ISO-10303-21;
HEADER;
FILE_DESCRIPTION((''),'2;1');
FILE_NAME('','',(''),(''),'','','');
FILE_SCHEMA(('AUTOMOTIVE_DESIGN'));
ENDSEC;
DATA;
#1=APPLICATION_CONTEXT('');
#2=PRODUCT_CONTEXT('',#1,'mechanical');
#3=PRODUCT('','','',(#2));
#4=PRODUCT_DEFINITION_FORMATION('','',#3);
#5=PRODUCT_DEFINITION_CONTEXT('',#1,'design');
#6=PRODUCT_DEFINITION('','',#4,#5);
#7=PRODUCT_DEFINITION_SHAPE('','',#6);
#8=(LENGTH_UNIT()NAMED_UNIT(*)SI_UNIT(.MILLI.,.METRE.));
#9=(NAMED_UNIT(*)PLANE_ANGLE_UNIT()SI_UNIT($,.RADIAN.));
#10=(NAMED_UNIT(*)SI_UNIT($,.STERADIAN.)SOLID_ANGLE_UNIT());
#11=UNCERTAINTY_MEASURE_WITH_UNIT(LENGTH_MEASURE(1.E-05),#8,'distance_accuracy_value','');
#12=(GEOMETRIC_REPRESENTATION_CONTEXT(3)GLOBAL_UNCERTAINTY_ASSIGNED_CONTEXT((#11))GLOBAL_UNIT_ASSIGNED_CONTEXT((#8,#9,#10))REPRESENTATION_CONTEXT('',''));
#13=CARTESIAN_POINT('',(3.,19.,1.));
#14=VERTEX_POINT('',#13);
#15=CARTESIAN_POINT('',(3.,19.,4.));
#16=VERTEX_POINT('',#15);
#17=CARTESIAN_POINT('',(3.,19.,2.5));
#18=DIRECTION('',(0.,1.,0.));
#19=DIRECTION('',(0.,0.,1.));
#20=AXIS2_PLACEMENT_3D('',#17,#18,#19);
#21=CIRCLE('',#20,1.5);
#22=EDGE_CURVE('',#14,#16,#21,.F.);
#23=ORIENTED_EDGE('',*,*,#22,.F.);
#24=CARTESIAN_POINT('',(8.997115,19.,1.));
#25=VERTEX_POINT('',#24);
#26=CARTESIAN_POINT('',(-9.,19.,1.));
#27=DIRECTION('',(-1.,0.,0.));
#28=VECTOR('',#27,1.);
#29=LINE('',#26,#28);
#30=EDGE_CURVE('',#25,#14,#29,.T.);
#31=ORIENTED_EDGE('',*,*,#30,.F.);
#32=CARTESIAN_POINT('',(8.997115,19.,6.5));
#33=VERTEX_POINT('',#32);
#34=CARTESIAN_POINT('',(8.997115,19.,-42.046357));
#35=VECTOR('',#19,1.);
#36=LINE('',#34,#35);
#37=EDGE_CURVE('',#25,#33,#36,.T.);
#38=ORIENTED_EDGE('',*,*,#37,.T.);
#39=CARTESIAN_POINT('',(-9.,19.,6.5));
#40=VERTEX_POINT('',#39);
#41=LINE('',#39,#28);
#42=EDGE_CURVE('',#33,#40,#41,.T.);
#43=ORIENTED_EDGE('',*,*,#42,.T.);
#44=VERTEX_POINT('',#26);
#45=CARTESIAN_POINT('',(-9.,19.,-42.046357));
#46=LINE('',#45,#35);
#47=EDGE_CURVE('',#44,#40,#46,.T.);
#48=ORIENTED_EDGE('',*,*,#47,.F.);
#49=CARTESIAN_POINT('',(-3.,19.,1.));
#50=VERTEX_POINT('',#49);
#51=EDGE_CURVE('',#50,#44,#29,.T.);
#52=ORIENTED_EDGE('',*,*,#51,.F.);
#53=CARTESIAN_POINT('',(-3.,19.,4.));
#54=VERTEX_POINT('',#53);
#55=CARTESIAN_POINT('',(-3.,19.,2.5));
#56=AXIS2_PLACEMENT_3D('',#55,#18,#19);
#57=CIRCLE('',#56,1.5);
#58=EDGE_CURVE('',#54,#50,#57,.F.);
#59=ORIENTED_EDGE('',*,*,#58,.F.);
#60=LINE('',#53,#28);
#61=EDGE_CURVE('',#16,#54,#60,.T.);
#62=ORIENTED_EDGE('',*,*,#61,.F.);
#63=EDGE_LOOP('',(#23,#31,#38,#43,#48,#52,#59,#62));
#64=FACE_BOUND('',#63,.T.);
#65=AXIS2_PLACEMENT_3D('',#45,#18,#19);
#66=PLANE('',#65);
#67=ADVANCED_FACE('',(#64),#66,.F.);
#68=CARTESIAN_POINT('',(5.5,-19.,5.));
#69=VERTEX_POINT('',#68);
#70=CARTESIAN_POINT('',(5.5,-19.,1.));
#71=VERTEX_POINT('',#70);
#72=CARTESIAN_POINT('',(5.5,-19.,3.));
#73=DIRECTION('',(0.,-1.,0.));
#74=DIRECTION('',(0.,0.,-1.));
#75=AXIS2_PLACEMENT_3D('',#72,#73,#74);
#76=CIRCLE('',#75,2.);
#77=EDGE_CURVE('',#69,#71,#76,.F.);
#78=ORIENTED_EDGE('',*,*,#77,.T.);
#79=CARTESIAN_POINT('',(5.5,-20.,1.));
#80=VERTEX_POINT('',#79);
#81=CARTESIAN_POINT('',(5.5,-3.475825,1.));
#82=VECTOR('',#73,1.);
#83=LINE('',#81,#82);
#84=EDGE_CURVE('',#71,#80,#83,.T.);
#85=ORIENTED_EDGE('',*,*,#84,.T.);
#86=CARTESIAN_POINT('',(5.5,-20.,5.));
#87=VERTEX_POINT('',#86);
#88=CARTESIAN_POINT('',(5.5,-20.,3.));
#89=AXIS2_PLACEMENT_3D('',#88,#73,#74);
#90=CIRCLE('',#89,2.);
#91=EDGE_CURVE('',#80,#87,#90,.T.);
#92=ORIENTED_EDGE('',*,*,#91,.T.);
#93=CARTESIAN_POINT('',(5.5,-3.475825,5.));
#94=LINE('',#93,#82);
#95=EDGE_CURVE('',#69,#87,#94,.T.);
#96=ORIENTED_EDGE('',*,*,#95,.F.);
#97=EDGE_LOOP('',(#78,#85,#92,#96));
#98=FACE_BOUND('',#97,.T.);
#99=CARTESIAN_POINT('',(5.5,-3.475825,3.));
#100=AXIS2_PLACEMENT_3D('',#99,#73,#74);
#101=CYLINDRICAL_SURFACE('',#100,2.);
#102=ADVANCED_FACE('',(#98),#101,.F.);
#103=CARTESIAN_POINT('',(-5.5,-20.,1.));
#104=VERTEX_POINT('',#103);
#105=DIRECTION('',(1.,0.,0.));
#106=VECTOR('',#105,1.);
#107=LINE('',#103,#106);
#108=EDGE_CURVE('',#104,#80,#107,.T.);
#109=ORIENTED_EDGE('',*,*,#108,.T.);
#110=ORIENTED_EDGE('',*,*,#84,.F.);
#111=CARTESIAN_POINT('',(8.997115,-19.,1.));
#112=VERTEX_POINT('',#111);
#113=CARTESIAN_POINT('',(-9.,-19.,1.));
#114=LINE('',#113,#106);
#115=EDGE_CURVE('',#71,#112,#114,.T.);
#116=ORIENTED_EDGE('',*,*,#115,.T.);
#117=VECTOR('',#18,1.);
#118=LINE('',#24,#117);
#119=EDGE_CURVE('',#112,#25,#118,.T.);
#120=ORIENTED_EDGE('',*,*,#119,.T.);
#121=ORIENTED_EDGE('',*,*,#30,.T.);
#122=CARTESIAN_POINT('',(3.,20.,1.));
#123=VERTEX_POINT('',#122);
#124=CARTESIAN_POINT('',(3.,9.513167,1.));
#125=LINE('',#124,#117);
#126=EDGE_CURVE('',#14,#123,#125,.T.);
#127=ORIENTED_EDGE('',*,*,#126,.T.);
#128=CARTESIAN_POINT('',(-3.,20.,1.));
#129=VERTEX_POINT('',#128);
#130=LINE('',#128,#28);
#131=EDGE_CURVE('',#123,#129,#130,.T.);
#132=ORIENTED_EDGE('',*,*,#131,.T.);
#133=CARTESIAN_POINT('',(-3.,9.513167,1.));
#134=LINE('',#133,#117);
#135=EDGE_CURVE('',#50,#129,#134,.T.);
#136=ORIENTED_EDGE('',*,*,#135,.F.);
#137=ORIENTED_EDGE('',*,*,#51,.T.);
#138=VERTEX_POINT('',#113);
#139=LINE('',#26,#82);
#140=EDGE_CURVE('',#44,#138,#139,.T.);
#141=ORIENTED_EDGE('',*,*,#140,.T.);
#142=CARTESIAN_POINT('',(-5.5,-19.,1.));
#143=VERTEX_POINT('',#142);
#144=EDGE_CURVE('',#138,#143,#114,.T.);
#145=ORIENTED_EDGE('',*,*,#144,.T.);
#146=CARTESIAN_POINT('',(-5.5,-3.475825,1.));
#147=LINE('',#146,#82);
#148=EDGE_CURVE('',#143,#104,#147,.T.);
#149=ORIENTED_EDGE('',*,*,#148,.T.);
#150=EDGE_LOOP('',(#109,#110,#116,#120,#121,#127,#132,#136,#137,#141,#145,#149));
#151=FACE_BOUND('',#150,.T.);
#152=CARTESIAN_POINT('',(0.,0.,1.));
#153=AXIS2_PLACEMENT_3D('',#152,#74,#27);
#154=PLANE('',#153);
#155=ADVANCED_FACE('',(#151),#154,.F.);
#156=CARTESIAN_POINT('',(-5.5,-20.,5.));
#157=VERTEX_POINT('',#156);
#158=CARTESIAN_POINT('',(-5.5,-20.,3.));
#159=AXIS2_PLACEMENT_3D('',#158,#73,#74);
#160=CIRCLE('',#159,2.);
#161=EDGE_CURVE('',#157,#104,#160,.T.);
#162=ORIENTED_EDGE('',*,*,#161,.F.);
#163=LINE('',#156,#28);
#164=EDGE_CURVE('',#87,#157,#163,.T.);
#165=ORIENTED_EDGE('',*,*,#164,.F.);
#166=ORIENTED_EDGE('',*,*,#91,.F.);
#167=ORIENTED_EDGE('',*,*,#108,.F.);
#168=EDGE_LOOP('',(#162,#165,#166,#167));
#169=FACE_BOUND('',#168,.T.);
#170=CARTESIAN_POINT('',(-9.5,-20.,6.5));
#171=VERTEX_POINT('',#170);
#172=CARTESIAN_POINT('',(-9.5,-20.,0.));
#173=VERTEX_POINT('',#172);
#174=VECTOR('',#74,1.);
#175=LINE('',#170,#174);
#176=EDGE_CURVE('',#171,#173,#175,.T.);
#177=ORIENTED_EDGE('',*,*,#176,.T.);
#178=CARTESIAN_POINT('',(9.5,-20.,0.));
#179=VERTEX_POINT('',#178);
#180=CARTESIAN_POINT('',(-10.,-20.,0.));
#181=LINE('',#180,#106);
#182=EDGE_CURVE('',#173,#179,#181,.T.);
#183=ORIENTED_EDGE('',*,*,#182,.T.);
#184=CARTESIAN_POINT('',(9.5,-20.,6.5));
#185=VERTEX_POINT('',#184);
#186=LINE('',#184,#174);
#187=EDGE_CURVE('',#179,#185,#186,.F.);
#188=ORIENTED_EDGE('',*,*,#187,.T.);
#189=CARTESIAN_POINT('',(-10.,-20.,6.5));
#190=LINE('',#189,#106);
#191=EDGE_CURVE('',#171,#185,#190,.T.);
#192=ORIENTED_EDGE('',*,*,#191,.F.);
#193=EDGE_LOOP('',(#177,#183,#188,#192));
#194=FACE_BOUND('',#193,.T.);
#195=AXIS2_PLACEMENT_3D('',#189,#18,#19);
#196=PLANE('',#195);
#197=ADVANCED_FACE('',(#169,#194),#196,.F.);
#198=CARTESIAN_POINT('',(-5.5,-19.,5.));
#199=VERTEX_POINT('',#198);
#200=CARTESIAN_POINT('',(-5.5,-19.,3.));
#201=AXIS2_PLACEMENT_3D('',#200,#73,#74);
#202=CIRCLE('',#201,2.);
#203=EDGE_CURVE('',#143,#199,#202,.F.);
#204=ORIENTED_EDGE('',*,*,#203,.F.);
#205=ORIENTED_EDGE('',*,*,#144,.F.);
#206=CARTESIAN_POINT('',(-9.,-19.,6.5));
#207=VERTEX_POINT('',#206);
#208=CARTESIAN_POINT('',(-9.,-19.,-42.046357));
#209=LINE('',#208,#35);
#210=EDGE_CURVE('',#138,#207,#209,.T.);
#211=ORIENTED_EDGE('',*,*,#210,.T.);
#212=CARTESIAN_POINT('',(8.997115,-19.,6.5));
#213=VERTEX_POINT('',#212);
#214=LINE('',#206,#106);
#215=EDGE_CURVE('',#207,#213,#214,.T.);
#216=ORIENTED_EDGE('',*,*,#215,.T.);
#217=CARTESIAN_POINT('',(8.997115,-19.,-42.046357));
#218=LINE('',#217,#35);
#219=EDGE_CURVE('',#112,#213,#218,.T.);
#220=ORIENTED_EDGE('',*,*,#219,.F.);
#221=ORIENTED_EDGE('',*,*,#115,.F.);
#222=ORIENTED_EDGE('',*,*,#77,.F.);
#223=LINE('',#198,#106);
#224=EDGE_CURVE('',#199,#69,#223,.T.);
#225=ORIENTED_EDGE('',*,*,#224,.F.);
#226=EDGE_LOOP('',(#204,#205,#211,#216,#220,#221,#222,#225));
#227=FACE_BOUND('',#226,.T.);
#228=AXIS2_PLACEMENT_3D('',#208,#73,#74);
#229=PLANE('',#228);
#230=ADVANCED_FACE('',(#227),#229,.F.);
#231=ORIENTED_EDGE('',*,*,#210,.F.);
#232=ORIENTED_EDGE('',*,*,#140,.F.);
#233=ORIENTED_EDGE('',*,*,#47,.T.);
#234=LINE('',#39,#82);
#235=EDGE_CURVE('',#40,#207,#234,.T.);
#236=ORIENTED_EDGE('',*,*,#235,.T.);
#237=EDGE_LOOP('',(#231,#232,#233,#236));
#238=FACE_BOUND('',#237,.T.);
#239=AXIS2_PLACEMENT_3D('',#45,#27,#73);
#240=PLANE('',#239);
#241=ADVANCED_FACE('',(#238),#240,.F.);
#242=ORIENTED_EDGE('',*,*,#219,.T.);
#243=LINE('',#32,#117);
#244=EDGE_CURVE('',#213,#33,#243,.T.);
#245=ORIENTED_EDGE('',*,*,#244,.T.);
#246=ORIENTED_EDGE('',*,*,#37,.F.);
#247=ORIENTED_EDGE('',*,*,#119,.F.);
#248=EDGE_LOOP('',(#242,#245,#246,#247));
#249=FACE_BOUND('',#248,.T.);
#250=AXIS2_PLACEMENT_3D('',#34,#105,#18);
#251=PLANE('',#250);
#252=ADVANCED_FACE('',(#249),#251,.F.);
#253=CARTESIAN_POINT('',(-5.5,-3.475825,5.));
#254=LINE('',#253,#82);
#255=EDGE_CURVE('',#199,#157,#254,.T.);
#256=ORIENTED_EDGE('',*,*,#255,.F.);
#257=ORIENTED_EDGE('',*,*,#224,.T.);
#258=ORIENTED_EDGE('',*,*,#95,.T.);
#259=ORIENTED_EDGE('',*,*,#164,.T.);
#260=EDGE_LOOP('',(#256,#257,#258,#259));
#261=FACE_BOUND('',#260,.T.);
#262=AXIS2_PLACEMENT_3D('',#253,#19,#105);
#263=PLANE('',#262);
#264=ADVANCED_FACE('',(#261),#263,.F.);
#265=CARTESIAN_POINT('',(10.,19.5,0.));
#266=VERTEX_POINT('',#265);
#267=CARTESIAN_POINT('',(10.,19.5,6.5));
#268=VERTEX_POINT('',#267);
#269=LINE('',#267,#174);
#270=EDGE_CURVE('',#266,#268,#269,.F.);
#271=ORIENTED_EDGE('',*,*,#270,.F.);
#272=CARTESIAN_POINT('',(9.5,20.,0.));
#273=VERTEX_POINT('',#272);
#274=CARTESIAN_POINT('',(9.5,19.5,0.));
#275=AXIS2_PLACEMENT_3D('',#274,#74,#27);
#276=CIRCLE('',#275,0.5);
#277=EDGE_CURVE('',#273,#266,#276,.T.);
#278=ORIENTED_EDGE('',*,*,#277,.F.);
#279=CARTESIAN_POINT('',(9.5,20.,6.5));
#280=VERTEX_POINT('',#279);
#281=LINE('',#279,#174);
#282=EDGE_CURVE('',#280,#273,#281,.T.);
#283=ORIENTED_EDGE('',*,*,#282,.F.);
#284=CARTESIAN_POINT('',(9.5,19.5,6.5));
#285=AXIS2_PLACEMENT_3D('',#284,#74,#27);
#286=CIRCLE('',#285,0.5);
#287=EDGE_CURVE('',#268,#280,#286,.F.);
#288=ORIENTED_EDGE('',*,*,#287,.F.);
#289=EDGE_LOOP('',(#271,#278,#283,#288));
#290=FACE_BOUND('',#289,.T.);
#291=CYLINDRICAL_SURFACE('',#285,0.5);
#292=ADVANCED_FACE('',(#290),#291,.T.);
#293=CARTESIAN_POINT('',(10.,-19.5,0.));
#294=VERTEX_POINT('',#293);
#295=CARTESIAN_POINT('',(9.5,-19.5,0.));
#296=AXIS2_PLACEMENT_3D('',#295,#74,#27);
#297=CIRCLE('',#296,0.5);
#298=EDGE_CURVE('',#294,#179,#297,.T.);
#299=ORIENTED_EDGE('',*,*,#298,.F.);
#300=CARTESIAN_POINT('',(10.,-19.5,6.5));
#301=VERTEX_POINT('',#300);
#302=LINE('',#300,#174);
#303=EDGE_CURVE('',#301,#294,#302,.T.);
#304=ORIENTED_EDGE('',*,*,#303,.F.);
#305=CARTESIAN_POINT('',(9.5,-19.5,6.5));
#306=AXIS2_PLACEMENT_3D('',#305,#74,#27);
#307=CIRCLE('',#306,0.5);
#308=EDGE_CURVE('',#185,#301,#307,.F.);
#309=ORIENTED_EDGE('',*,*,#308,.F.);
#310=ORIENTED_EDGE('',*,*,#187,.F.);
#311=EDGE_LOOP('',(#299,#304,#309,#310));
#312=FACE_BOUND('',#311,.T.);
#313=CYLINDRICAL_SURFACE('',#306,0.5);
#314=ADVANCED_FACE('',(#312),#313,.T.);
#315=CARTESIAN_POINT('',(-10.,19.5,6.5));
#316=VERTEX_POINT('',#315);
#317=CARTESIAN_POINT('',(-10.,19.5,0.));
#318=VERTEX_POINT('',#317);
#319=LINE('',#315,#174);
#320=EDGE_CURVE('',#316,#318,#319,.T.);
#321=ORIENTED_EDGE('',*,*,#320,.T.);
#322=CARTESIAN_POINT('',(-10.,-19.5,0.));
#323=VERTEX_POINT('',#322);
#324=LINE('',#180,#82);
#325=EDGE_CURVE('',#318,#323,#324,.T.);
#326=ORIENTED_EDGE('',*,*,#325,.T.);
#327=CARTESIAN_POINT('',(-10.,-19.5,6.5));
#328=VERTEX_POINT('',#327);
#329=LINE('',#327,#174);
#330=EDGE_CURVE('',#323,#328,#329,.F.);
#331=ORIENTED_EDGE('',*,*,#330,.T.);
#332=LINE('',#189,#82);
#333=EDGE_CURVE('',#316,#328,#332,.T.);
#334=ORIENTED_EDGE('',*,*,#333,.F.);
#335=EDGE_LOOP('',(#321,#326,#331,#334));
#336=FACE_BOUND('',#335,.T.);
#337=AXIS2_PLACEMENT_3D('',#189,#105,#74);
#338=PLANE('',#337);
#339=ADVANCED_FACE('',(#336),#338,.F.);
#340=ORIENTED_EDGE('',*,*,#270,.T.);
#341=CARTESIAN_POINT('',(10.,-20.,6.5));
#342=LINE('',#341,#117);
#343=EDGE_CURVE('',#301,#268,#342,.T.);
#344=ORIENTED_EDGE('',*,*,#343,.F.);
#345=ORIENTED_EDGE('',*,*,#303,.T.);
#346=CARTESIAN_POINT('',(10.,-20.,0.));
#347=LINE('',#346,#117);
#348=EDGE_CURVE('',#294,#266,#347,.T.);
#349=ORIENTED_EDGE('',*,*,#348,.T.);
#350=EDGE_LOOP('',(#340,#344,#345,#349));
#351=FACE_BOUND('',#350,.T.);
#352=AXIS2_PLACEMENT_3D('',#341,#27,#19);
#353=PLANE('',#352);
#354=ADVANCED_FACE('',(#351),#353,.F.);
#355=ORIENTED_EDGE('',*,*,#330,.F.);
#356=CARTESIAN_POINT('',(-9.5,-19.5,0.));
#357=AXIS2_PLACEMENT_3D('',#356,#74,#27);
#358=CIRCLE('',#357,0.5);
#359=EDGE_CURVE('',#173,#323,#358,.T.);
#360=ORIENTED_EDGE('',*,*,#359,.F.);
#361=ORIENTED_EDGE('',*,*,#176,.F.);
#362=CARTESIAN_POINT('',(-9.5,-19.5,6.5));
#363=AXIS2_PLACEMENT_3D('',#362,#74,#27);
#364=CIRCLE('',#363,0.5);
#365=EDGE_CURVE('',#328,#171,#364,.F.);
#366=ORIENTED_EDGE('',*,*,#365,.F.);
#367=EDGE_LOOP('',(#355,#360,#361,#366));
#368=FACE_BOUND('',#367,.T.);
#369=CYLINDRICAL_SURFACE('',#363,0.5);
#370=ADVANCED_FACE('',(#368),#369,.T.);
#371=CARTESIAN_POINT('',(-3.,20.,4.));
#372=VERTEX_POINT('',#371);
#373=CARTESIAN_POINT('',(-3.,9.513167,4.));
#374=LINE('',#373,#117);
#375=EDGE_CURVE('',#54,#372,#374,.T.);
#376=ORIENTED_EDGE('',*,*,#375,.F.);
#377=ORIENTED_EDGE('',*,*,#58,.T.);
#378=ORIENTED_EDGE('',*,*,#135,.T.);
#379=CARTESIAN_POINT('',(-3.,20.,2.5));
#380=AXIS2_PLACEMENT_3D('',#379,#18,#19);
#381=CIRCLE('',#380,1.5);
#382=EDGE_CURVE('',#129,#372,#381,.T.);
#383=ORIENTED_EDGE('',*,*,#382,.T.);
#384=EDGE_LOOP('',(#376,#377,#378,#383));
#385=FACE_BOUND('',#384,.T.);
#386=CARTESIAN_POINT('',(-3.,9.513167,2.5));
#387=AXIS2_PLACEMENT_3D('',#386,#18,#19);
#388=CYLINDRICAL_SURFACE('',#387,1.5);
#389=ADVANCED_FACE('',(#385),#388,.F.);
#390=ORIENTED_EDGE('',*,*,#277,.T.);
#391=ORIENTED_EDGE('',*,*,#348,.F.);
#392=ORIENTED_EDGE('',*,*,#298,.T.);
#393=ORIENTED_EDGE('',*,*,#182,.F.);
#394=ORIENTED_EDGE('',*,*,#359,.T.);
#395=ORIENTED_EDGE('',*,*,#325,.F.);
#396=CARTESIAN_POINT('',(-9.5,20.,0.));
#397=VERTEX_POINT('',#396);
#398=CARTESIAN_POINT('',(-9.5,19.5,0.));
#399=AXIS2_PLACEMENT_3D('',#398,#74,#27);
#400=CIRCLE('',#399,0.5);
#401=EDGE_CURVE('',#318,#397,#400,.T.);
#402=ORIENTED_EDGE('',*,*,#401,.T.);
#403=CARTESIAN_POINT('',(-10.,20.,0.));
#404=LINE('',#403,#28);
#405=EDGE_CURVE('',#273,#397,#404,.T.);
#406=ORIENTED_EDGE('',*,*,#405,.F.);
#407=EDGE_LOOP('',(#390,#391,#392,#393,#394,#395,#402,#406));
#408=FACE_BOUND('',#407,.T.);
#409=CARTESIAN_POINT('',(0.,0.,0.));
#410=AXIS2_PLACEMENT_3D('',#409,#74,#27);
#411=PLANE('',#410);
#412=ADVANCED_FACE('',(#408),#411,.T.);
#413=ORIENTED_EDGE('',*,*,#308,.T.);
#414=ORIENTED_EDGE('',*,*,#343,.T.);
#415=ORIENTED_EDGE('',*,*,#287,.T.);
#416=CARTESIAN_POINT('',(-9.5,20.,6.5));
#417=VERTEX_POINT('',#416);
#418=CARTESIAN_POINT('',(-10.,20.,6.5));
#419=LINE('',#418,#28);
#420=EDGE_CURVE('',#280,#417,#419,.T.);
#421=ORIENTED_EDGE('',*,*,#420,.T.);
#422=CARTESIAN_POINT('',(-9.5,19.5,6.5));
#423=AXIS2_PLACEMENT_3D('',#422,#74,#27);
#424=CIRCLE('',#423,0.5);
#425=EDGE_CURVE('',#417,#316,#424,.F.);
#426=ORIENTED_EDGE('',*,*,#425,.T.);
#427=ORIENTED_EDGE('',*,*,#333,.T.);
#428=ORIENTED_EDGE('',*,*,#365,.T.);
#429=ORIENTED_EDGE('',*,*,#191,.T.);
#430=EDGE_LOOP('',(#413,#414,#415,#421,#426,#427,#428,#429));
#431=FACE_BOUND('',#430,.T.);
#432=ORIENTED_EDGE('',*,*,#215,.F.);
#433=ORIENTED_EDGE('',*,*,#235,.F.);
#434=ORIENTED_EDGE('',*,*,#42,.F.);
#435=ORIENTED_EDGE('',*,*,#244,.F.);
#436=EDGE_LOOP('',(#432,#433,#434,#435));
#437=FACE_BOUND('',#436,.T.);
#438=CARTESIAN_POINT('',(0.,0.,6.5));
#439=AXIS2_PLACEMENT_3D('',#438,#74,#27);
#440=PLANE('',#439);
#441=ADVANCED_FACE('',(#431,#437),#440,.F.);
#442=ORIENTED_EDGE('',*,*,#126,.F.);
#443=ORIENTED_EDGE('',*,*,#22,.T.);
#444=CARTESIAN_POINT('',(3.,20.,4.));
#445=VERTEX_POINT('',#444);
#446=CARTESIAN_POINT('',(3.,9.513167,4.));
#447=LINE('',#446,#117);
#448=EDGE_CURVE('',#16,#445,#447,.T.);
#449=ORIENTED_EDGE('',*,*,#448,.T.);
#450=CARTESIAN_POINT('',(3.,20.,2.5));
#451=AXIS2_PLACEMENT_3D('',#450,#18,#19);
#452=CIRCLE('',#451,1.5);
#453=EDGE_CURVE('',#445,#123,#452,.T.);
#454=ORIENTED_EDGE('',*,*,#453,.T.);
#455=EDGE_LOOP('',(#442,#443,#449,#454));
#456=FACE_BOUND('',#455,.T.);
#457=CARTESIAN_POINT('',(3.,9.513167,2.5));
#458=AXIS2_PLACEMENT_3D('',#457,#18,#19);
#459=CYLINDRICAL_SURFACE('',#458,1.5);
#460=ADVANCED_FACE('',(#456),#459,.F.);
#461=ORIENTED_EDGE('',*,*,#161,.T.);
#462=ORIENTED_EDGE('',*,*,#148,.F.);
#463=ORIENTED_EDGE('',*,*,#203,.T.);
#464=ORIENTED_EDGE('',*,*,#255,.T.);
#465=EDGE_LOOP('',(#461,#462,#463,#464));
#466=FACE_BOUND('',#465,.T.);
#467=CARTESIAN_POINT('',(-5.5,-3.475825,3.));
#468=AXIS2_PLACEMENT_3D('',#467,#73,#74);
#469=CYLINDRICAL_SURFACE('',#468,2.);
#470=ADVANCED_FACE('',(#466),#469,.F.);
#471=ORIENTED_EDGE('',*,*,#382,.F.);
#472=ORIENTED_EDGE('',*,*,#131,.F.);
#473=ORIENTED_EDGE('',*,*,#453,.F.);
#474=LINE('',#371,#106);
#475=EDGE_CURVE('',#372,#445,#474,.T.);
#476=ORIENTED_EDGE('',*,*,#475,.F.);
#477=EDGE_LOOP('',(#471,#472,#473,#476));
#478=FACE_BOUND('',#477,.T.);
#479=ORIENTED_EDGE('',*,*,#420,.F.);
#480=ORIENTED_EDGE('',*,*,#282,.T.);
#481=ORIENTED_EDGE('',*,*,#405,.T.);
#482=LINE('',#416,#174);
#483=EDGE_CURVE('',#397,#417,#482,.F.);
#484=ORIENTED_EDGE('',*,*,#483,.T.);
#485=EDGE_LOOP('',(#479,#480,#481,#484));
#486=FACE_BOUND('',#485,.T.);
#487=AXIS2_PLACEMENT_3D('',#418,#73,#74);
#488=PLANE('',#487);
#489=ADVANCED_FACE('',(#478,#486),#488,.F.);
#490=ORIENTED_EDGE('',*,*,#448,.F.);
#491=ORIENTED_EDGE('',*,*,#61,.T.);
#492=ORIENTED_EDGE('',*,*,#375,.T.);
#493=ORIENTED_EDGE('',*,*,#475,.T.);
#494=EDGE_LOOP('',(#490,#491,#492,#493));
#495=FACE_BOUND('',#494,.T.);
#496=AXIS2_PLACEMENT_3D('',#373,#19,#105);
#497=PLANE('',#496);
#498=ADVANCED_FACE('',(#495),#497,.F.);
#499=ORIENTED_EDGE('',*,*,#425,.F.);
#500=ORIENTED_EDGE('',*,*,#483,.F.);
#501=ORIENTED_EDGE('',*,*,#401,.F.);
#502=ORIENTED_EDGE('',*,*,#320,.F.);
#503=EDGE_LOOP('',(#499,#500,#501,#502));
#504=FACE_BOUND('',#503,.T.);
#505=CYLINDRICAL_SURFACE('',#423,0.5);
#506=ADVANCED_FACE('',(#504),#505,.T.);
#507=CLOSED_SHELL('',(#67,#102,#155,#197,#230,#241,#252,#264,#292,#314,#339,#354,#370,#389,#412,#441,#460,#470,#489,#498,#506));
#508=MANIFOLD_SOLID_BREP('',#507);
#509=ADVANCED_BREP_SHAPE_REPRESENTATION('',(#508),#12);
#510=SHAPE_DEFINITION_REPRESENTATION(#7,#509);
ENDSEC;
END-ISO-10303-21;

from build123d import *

# Parameters (mm, degrees)
SKETCH2_W           = 20
SKETCH2_H           = 40
BOSS_EXTRUDE1_DEPTH = 6.5
SKETCH4_W           = 17.997114687
SKETCH4_H           = 38
CUT_EXTRUDE1_DEPTH  = 5.5
CUT_EXTRUDE4_DEPTH  = 1
CUT_EXTRUDE5_DEPTH  = 1
FILLET1_R           = 0.5


with BuildPart() as part:
    # Sketch2 → Boss-Extrude1 (new body)
    with BuildSketch(Plane.XY):
        Rectangle(SKETCH2_W, SKETCH2_H)
    extrude(amount=BOSS_EXTRUDE1_DEPTH)

    # Sketch4 → Cut-Extrude1 (cut)
    with BuildSketch(Plane.XY.offset(6.5)):
        with Locations((-0.001442657, 0)):
            Rectangle(SKETCH4_W, SKETCH4_H)
    extrude(amount=-CUT_EXTRUDE1_DEPTH, mode=Mode.SUBTRACT)

    # Sketch6 → Cut-Extrude4 (cut)
    with BuildSketch(Plane.XZ.offset(20)):
        with BuildLine():
            Line((-5.5, 5), (5.5, 5))
            ThreePointArc((5.5, 5), (7.5, 3), (5.5, 1))
            Line((5.5, 1), (-5.5, 1))
            ThreePointArc((-5.5, 1), (-7.5, 3), (-5.5, 5))
        make_face()
    extrude(amount=-CUT_EXTRUDE4_DEPTH, mode=Mode.SUBTRACT)

    # Sketch8 → Cut-Extrude5 (cut)
    with BuildSketch(Plane(origin=(0, 20, 0), x_dir=(1, 0, 0), z_dir=(0, 1, 0))):
        with BuildLine():
            Line((-3, -1), (3, -1))
            ThreePointArc((3, -1), (4.5, -2.5), (3, -4))
            Line((3, -4), (-3, -4))
            ThreePointArc((-3, -4), (-4.5, -2.5), (-3, -1))
        make_face()
    extrude(amount=-CUT_EXTRUDE5_DEPTH, mode=Mode.SUBTRACT)

    # Fillet1
    fillet1_edges = [part.edges().sort_by_distance(p)[0] for p in [
        (10, -20, 3.25),
        (-10, -20, 3.25),
        (-10, 20, 3.25),
        (10, 20, 3.25),
    ]]
    fillet(fillet1_edges, radius=FILLET1_R)


solid = part.part
